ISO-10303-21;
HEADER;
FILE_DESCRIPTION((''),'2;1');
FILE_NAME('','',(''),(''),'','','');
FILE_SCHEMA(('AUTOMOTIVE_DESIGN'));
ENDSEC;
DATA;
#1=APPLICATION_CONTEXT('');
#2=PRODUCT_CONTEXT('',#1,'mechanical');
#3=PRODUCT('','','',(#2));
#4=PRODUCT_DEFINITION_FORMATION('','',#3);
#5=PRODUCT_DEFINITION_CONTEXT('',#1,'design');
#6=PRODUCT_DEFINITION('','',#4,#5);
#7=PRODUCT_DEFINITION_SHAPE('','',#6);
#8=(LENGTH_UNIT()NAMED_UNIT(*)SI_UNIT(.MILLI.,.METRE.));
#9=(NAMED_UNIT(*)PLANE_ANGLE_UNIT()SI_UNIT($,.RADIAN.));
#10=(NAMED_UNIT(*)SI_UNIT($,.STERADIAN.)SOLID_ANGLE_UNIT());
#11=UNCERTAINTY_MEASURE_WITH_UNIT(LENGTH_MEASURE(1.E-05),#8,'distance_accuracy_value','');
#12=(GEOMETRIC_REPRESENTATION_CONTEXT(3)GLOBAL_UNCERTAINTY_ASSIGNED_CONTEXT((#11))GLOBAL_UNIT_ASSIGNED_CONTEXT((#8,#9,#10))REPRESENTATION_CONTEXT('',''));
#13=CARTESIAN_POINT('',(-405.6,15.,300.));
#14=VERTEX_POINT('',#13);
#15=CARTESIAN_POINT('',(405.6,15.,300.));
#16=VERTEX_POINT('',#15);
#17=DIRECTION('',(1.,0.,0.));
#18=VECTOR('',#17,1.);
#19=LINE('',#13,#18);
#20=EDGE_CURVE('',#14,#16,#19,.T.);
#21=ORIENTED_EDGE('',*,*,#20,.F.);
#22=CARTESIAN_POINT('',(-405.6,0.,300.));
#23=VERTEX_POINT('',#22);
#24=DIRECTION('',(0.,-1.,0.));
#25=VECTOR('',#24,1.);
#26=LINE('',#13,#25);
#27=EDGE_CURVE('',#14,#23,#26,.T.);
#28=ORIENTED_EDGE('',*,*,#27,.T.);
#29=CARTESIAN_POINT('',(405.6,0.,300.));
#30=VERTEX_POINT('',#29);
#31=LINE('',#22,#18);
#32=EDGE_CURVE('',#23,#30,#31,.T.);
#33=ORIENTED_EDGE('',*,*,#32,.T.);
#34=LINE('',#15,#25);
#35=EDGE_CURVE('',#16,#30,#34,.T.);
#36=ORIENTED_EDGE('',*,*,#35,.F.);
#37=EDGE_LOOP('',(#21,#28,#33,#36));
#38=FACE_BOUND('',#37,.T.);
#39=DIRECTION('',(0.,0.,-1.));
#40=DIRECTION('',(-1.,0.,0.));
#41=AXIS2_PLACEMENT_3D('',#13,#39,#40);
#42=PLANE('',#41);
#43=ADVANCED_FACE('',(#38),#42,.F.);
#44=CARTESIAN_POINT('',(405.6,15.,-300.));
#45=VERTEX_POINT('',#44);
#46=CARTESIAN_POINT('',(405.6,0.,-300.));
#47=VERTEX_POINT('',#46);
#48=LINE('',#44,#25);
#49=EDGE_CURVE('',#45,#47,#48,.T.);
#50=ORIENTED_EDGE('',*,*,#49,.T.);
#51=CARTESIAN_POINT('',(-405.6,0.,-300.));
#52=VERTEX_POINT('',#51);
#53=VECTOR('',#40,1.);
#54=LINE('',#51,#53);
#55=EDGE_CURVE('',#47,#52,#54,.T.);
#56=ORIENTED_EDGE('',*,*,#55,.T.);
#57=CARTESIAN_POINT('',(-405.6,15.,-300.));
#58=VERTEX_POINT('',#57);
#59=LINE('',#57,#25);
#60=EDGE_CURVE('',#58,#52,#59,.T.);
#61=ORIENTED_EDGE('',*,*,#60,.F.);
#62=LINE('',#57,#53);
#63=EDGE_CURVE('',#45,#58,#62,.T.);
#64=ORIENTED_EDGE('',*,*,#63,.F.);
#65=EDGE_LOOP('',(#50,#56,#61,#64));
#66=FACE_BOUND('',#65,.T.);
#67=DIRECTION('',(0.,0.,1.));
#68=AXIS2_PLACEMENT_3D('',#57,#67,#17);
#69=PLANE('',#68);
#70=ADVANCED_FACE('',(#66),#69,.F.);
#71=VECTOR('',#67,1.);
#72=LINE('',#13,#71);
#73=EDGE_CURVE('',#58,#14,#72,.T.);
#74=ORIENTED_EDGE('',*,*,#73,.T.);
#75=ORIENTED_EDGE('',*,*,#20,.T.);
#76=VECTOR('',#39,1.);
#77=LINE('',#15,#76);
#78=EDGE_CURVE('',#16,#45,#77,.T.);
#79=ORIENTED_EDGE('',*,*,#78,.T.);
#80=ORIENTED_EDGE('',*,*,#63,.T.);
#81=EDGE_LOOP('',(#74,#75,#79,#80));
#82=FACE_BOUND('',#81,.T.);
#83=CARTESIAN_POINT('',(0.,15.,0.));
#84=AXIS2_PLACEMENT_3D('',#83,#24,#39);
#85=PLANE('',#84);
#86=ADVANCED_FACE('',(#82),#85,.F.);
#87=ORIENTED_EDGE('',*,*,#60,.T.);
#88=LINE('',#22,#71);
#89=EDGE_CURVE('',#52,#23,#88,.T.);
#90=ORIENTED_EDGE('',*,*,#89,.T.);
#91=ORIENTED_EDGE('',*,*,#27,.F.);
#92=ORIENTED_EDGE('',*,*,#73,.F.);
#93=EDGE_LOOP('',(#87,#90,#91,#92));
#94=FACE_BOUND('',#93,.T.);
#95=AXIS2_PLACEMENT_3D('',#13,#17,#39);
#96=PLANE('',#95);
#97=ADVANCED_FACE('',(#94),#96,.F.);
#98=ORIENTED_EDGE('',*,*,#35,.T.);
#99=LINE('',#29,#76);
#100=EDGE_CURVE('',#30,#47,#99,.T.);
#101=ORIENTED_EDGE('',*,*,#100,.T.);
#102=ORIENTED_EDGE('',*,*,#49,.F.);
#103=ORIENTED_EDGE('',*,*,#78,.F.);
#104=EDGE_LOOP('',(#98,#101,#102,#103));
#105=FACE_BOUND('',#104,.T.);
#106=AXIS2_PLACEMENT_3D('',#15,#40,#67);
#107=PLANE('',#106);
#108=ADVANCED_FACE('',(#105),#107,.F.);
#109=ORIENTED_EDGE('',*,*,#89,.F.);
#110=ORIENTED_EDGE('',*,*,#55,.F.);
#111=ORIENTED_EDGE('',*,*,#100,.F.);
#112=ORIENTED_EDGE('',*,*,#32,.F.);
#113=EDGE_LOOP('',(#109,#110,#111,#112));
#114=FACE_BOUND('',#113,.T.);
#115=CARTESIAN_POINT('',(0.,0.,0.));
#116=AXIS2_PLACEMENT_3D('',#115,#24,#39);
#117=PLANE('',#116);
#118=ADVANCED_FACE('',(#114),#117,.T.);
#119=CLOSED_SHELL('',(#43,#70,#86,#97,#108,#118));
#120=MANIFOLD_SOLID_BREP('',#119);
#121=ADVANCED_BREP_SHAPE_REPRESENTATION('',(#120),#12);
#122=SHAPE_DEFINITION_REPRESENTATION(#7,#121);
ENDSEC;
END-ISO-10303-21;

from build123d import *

# Parameters (mm, degrees)
CROQUIS1_W              = 811.2
CROQUIS1_H              = 600
SALIENTE_EXTRUIR1_DEPTH = 15


with BuildPart() as part:
    # Croquis1 → Saliente-Extruir1 (new body)
    with BuildSketch(Plane(origin=(0, 0, 0), x_dir=(1, 0, 0), z_dir=(0, 1, 0))):
        Rectangle(CROQUIS1_W, CROQUIS1_H)
    extrude(amount=SALIENTE_EXTRUIR1_DEPTH)


solid = part.part
